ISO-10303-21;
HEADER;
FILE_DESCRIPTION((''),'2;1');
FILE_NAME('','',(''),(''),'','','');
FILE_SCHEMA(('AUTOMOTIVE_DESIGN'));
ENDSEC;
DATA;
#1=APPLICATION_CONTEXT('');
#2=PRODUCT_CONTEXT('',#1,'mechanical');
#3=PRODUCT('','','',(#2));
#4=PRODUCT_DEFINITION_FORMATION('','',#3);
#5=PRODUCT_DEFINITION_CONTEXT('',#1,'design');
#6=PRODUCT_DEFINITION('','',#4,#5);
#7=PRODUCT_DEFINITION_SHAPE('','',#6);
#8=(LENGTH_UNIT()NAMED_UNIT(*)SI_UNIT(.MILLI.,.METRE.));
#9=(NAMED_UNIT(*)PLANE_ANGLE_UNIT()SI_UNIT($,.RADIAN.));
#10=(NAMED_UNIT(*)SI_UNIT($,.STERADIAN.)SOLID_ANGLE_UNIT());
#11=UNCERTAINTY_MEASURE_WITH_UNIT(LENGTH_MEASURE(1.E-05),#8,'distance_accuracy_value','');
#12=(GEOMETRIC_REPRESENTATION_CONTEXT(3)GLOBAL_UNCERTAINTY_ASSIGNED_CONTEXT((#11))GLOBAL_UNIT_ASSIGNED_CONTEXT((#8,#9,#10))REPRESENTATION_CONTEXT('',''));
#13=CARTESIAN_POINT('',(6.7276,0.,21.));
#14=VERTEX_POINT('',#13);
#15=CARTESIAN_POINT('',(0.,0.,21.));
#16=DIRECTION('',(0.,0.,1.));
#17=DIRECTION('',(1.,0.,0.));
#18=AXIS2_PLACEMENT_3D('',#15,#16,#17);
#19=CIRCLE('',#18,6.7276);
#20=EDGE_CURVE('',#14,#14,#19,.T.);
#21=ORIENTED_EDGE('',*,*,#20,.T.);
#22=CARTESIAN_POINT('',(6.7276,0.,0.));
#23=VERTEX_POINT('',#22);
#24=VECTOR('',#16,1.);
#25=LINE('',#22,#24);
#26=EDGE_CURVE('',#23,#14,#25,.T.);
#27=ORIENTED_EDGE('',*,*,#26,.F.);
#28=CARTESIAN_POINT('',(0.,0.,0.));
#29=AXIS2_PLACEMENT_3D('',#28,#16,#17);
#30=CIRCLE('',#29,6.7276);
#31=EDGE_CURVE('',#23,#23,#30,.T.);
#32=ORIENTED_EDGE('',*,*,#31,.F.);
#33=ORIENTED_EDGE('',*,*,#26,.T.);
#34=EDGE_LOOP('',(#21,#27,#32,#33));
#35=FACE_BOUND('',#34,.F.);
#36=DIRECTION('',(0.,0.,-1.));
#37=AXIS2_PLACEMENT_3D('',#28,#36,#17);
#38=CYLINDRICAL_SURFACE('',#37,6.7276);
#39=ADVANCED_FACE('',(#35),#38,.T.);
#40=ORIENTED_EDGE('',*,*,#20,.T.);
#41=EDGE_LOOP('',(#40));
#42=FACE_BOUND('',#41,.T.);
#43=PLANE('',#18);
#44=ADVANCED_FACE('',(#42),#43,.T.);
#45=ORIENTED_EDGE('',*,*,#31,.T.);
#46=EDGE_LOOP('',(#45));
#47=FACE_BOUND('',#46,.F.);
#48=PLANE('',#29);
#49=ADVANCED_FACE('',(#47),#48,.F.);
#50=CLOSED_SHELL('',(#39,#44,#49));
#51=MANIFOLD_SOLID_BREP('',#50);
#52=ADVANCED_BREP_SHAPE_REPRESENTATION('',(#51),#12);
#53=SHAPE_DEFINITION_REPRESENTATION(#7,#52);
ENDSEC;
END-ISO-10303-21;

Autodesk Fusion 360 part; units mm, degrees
sketch "Sketch1" plane through (0, 0, 0) normal (0, 0, 1) x (1, 0, 0)
  circle A0 centre (0, 0) radius 6.25
sketch "Sketch2" plane through (0, 0, 0) normal (0, 0, 1) x (1, 0, 0)
  circle A0 centre (0, 0) radius 6.7276
extrude "Extrude2" add sketch "Sketch2" along normal blind 21
